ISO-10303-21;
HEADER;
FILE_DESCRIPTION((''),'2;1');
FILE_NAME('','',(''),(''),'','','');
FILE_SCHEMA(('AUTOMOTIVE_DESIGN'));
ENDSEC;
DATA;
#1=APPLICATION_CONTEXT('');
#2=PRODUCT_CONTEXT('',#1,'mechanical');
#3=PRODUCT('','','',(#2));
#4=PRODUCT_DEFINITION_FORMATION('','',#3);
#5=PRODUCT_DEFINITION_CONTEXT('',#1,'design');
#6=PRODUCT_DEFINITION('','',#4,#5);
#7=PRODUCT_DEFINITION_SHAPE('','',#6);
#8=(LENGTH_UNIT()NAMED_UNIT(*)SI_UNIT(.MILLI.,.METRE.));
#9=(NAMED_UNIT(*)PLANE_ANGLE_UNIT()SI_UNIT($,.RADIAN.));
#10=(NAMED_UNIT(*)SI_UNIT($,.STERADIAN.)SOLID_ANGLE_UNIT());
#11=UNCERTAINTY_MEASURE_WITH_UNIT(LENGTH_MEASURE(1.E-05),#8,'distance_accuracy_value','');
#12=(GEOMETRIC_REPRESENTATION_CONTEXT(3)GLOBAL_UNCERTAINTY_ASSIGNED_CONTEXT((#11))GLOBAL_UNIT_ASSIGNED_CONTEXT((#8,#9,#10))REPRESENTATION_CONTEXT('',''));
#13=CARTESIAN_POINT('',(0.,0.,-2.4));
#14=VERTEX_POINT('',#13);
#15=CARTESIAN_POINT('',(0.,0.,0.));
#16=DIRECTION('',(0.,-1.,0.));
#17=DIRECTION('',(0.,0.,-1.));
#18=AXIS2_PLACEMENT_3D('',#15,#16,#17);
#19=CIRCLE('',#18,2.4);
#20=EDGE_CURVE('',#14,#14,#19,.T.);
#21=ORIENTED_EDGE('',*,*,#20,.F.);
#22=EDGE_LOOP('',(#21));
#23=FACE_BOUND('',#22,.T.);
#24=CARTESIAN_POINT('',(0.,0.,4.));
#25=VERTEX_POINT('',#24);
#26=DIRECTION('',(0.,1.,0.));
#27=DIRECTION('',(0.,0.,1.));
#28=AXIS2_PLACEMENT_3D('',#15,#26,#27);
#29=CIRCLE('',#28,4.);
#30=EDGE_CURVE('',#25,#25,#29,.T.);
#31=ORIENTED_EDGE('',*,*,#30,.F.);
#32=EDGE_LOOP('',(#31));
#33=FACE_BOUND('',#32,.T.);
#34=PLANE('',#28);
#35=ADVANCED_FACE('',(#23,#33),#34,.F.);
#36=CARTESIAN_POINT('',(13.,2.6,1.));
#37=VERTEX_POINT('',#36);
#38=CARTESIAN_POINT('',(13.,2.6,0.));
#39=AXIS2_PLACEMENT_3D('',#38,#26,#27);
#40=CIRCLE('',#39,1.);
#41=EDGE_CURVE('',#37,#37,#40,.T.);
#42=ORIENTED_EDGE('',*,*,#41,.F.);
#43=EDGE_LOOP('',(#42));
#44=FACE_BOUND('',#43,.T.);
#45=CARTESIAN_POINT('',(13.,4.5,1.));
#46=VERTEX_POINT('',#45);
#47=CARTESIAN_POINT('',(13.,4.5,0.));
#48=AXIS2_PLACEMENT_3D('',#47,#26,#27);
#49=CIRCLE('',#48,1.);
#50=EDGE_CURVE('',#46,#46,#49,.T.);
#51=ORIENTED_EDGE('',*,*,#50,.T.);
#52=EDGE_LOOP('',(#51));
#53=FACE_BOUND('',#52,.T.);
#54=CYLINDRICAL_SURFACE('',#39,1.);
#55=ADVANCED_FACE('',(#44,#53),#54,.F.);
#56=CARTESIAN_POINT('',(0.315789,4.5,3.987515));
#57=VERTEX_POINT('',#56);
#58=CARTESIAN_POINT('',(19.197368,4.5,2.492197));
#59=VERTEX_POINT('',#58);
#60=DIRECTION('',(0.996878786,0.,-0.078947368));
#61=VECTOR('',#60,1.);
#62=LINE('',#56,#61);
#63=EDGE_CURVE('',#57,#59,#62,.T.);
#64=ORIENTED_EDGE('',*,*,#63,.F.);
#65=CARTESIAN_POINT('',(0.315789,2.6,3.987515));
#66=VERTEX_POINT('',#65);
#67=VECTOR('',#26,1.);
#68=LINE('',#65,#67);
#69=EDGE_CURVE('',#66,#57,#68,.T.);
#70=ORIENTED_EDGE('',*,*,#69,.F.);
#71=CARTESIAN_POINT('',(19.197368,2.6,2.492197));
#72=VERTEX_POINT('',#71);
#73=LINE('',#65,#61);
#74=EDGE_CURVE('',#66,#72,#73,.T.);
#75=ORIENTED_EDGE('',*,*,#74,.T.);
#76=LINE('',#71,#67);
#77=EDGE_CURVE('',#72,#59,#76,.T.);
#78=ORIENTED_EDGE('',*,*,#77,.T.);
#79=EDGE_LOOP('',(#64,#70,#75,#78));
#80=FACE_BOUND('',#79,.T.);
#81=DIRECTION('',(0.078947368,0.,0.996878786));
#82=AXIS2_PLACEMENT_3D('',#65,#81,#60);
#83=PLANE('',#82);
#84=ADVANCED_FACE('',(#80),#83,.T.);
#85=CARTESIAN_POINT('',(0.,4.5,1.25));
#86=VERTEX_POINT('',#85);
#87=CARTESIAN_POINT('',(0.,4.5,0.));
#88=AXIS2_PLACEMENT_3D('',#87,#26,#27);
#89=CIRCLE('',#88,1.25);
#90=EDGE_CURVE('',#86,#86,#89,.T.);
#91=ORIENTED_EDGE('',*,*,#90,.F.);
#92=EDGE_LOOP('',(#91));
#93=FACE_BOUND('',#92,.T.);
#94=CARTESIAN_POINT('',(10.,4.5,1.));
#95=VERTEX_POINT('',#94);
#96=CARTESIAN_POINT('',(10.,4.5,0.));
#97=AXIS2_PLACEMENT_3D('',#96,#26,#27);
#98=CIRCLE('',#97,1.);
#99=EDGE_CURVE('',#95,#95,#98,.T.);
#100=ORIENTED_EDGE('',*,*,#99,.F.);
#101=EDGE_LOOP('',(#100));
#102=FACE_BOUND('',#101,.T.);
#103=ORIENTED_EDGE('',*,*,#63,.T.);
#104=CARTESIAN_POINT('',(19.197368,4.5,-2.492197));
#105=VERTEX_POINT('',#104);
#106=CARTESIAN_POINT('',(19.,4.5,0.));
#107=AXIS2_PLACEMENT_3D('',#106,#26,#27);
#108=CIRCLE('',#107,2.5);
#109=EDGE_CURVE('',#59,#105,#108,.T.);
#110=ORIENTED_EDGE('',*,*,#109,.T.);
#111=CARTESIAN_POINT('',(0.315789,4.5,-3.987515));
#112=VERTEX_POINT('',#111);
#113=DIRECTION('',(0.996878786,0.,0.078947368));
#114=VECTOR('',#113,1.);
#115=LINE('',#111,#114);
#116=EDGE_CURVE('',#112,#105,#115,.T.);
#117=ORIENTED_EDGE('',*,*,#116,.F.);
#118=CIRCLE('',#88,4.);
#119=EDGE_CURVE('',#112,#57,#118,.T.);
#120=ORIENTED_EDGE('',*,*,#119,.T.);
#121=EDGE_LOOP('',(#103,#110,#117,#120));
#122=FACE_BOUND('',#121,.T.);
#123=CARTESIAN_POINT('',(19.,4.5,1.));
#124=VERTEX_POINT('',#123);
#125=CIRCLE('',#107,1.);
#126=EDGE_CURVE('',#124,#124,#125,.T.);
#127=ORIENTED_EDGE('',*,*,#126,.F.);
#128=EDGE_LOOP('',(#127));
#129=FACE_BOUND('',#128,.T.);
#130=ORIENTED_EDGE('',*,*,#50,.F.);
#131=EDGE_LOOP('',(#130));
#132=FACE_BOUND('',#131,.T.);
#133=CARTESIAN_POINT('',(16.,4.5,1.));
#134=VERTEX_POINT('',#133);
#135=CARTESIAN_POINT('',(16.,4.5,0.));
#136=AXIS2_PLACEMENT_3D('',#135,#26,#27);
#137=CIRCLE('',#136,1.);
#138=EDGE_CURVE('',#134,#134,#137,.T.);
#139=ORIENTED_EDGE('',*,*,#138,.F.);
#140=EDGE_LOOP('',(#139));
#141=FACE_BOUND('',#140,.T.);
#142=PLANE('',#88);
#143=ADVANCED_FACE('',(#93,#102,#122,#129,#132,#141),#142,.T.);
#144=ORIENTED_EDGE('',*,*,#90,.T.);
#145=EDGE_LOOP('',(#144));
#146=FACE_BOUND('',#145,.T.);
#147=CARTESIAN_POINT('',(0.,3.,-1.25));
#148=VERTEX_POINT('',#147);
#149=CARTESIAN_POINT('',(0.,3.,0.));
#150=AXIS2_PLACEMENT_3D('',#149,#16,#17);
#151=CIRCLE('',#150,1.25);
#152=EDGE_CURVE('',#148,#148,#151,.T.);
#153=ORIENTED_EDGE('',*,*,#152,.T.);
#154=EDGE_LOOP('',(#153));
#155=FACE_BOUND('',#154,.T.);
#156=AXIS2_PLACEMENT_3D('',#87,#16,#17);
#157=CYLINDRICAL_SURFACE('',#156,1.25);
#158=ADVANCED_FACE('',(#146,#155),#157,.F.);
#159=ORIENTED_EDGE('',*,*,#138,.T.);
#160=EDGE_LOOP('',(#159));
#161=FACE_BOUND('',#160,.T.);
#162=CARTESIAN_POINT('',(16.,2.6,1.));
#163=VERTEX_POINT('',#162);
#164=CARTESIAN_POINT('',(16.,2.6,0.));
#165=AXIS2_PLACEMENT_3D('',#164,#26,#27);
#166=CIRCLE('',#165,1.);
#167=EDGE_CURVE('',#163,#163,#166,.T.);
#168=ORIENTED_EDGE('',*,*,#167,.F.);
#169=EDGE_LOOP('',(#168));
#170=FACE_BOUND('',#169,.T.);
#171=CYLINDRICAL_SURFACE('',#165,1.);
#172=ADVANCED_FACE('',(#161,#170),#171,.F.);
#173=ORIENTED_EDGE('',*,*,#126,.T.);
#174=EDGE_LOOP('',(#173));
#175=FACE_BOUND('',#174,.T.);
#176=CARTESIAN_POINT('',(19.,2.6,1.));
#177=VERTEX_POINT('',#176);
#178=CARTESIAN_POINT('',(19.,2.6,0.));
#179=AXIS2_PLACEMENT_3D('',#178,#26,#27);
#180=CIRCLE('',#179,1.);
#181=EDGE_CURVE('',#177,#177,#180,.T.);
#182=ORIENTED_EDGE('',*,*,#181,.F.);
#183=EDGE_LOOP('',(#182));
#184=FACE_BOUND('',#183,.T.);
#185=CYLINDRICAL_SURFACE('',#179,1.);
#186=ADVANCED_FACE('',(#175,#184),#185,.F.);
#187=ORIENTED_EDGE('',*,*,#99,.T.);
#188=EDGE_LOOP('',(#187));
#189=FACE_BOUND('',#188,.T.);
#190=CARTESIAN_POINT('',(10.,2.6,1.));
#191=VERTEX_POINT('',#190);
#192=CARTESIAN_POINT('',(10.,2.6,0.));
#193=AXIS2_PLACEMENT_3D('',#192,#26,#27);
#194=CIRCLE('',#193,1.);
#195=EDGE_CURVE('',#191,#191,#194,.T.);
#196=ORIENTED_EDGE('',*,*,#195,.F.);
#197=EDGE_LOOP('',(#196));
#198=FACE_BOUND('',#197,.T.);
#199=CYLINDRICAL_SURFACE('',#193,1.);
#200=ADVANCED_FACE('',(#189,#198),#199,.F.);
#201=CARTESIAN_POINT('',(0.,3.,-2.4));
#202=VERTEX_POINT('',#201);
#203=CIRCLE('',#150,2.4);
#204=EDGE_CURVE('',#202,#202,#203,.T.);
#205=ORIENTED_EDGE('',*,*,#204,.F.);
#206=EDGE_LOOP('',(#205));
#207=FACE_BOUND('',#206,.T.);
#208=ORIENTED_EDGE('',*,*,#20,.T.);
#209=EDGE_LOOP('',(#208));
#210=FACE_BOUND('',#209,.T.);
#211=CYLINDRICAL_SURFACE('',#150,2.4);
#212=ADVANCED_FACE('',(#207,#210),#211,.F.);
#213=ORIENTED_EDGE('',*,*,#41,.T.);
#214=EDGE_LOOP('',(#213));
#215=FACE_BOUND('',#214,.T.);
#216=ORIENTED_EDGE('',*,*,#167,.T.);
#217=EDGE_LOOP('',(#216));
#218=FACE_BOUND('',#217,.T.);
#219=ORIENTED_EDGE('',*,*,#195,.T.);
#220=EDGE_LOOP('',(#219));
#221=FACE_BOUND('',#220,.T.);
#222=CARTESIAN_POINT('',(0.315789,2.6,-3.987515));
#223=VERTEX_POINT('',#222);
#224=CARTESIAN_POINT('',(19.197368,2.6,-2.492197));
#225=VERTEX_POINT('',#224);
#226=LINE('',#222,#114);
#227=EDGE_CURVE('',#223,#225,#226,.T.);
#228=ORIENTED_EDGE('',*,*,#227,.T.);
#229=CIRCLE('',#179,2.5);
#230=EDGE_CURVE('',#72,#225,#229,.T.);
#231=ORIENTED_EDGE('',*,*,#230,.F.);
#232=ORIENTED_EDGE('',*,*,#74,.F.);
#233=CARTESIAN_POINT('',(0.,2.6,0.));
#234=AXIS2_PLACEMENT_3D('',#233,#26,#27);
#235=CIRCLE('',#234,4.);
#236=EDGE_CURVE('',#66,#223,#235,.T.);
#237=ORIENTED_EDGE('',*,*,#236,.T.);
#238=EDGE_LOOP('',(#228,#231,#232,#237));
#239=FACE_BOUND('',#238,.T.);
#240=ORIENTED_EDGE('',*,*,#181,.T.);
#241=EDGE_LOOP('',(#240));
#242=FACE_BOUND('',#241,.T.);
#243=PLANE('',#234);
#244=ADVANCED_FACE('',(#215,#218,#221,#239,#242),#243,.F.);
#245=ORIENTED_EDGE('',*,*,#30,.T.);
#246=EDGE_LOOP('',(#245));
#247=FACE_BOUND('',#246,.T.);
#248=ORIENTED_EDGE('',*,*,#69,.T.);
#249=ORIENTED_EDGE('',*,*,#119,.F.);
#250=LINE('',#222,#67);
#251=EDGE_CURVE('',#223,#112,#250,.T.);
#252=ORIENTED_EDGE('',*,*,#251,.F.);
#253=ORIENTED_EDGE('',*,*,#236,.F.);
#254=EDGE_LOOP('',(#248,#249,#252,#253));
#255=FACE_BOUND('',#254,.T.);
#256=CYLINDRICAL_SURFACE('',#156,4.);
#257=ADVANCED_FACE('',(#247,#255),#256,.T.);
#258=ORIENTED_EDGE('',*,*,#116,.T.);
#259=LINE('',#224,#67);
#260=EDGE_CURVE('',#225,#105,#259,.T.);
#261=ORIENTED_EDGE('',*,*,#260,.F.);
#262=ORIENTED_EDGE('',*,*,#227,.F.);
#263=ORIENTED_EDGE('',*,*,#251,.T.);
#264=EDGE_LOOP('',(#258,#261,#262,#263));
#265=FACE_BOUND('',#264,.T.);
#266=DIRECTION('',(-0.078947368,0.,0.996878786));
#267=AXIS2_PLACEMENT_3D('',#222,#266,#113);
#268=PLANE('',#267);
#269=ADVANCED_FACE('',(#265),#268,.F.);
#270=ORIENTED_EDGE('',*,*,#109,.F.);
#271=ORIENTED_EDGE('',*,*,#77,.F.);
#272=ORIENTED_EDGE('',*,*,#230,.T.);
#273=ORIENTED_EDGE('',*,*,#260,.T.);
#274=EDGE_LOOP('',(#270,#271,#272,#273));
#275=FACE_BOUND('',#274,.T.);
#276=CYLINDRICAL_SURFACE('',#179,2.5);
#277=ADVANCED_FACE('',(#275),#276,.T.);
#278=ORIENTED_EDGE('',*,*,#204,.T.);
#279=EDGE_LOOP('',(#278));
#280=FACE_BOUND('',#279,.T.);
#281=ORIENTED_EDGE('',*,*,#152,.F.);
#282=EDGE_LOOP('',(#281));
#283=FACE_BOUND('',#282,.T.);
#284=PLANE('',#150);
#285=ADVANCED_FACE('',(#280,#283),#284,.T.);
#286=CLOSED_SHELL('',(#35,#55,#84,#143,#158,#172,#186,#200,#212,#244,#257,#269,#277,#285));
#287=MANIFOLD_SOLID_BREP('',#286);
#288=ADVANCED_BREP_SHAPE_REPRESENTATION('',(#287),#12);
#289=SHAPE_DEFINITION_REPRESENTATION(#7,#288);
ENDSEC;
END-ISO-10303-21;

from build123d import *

# Parameters (mm, degrees)
SKETCH_1_R          = 4
SKETCH_1_R_2        = 1.25
EXTRUDE_1_DEPTH     = 4.5
SKETCH_2_R          = 1
EXTRUDE_2_DEPTH     = 1.9
SKETCH_3_R          = 2.4
CUT_EXTRUDE_1_DEPTH = 3


with BuildPart() as part:
    # 草图1 → 凸台-拉伸1 (new body)
    with BuildSketch(Plane(origin=(0, 0, 0), x_dir=(1, 0, 0), z_dir=(0, 1, 0))):
        Circle(SKETCH_1_R)
        Circle(SKETCH_1_R_2, mode=Mode.SUBTRACT)
    extrude(amount=EXTRUDE_1_DEPTH)

    # 草图2 → 凸台-拉伸2 (add)
    with BuildSketch(Plane(origin=(0, 4.5, 0), x_dir=(1, 0, 0), z_dir=(0, 1, 0))):
        with BuildLine():
            Line((19.197368421, 2.492196964), (0.315789474, 3.987515142))
            ThreePointArc((0.315789474, 3.987515142), (4, 0), (0.315789474, -3.987515142))
            Line((0.315789474, -3.987515142), (19.197368421, -2.492196964))
            ThreePointArc((19.197368421, -2.492196964), (21.5, 0), (19.197368421, 2.492196964))
        make_face()
        with Locations((16, 0)):
            Circle(SKETCH_2_R, mode=Mode.SUBTRACT)
        with Locations((10, 0)):
            Circle(SKETCH_2_R, mode=Mode.SUBTRACT)
        with Locations((13, 0)):
            Circle(SKETCH_2_R, mode=Mode.SUBTRACT)
        with Locations((19, 0)):
            Circle(SKETCH_2_R, mode=Mode.SUBTRACT)
    extrude(amount=-EXTRUDE_2_DEPTH)

    # 草图3 → 切除-拉伸1 (cut)
    with BuildSketch(Plane.XZ):
        Circle(SKETCH_3_R)
    extrude(amount=-CUT_EXTRUDE_1_DEPTH, mode=Mode.SUBTRACT)


solid = part.part
